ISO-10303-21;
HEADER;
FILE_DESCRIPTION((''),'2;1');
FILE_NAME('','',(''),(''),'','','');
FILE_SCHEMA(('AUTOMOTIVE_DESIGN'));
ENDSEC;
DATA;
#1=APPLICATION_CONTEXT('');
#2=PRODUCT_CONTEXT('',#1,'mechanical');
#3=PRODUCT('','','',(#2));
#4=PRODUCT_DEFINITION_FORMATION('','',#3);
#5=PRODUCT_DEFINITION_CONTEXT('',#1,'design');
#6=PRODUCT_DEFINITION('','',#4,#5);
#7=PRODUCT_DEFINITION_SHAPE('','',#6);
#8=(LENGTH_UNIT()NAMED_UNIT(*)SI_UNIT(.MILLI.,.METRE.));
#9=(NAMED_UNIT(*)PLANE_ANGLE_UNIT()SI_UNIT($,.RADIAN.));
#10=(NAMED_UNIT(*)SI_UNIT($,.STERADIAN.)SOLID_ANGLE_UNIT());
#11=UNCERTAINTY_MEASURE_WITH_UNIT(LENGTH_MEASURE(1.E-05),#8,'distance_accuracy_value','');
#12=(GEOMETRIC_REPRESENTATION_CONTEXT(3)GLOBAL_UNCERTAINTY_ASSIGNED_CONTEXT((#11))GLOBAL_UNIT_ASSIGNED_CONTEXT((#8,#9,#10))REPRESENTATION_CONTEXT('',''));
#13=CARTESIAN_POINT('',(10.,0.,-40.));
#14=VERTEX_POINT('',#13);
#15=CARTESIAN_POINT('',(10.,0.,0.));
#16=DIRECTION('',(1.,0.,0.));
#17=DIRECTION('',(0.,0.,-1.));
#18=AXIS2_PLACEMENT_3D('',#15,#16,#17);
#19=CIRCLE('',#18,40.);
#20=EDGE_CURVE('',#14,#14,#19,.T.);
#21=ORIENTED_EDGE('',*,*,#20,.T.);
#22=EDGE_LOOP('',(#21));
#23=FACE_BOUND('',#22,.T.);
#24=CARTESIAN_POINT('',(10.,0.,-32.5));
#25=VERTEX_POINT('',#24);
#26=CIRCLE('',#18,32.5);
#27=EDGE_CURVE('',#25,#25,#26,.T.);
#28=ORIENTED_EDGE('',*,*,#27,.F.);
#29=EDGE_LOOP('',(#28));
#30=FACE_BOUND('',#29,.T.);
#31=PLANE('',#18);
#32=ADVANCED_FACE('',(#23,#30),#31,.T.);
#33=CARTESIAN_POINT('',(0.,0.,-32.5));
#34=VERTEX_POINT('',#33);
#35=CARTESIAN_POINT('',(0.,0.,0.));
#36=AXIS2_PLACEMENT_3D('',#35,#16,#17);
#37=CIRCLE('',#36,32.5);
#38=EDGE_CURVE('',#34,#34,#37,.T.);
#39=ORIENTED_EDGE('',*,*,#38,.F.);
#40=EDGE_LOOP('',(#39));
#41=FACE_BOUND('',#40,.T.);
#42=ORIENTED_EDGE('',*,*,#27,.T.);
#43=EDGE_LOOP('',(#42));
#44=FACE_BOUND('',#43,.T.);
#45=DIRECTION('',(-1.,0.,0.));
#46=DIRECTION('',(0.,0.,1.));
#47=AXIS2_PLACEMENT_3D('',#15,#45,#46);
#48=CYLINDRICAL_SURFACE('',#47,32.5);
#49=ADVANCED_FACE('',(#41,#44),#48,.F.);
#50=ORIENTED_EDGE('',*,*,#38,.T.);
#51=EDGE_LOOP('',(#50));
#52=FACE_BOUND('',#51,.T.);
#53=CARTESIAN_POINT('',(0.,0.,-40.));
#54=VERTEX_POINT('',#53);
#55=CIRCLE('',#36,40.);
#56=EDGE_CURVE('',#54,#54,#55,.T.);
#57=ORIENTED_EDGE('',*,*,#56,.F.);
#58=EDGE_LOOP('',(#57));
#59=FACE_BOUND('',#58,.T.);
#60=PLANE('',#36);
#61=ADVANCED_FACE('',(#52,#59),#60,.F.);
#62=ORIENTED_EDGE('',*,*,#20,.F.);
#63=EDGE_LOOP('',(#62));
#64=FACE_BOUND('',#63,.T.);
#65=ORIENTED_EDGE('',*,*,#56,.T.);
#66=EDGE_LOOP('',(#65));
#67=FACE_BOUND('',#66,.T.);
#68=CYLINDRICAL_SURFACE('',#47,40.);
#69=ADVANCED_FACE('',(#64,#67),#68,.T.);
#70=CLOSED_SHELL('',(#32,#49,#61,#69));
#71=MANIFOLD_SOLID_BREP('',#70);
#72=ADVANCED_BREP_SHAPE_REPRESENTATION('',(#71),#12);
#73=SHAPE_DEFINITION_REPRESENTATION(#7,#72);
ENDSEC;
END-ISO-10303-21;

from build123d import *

# Parameters (mm, degrees)
SKETCH1_R           = 40
SKETCH1_R_2         = 32.5
BOSS_EXTRUDE1_DEPTH = 10


with BuildPart() as part:
    # Sketch1 → Boss-Extrude1 (new body)
    with BuildSketch(Plane(origin=(0, 0, 0), x_dir=(0, 0, -1), z_dir=(1, 0, 0))):
        Circle(SKETCH1_R)
        Circle(SKETCH1_R_2, mode=Mode.SUBTRACT)
    extrude(amount=BOSS_EXTRUDE1_DEPTH)


solid = part.part
